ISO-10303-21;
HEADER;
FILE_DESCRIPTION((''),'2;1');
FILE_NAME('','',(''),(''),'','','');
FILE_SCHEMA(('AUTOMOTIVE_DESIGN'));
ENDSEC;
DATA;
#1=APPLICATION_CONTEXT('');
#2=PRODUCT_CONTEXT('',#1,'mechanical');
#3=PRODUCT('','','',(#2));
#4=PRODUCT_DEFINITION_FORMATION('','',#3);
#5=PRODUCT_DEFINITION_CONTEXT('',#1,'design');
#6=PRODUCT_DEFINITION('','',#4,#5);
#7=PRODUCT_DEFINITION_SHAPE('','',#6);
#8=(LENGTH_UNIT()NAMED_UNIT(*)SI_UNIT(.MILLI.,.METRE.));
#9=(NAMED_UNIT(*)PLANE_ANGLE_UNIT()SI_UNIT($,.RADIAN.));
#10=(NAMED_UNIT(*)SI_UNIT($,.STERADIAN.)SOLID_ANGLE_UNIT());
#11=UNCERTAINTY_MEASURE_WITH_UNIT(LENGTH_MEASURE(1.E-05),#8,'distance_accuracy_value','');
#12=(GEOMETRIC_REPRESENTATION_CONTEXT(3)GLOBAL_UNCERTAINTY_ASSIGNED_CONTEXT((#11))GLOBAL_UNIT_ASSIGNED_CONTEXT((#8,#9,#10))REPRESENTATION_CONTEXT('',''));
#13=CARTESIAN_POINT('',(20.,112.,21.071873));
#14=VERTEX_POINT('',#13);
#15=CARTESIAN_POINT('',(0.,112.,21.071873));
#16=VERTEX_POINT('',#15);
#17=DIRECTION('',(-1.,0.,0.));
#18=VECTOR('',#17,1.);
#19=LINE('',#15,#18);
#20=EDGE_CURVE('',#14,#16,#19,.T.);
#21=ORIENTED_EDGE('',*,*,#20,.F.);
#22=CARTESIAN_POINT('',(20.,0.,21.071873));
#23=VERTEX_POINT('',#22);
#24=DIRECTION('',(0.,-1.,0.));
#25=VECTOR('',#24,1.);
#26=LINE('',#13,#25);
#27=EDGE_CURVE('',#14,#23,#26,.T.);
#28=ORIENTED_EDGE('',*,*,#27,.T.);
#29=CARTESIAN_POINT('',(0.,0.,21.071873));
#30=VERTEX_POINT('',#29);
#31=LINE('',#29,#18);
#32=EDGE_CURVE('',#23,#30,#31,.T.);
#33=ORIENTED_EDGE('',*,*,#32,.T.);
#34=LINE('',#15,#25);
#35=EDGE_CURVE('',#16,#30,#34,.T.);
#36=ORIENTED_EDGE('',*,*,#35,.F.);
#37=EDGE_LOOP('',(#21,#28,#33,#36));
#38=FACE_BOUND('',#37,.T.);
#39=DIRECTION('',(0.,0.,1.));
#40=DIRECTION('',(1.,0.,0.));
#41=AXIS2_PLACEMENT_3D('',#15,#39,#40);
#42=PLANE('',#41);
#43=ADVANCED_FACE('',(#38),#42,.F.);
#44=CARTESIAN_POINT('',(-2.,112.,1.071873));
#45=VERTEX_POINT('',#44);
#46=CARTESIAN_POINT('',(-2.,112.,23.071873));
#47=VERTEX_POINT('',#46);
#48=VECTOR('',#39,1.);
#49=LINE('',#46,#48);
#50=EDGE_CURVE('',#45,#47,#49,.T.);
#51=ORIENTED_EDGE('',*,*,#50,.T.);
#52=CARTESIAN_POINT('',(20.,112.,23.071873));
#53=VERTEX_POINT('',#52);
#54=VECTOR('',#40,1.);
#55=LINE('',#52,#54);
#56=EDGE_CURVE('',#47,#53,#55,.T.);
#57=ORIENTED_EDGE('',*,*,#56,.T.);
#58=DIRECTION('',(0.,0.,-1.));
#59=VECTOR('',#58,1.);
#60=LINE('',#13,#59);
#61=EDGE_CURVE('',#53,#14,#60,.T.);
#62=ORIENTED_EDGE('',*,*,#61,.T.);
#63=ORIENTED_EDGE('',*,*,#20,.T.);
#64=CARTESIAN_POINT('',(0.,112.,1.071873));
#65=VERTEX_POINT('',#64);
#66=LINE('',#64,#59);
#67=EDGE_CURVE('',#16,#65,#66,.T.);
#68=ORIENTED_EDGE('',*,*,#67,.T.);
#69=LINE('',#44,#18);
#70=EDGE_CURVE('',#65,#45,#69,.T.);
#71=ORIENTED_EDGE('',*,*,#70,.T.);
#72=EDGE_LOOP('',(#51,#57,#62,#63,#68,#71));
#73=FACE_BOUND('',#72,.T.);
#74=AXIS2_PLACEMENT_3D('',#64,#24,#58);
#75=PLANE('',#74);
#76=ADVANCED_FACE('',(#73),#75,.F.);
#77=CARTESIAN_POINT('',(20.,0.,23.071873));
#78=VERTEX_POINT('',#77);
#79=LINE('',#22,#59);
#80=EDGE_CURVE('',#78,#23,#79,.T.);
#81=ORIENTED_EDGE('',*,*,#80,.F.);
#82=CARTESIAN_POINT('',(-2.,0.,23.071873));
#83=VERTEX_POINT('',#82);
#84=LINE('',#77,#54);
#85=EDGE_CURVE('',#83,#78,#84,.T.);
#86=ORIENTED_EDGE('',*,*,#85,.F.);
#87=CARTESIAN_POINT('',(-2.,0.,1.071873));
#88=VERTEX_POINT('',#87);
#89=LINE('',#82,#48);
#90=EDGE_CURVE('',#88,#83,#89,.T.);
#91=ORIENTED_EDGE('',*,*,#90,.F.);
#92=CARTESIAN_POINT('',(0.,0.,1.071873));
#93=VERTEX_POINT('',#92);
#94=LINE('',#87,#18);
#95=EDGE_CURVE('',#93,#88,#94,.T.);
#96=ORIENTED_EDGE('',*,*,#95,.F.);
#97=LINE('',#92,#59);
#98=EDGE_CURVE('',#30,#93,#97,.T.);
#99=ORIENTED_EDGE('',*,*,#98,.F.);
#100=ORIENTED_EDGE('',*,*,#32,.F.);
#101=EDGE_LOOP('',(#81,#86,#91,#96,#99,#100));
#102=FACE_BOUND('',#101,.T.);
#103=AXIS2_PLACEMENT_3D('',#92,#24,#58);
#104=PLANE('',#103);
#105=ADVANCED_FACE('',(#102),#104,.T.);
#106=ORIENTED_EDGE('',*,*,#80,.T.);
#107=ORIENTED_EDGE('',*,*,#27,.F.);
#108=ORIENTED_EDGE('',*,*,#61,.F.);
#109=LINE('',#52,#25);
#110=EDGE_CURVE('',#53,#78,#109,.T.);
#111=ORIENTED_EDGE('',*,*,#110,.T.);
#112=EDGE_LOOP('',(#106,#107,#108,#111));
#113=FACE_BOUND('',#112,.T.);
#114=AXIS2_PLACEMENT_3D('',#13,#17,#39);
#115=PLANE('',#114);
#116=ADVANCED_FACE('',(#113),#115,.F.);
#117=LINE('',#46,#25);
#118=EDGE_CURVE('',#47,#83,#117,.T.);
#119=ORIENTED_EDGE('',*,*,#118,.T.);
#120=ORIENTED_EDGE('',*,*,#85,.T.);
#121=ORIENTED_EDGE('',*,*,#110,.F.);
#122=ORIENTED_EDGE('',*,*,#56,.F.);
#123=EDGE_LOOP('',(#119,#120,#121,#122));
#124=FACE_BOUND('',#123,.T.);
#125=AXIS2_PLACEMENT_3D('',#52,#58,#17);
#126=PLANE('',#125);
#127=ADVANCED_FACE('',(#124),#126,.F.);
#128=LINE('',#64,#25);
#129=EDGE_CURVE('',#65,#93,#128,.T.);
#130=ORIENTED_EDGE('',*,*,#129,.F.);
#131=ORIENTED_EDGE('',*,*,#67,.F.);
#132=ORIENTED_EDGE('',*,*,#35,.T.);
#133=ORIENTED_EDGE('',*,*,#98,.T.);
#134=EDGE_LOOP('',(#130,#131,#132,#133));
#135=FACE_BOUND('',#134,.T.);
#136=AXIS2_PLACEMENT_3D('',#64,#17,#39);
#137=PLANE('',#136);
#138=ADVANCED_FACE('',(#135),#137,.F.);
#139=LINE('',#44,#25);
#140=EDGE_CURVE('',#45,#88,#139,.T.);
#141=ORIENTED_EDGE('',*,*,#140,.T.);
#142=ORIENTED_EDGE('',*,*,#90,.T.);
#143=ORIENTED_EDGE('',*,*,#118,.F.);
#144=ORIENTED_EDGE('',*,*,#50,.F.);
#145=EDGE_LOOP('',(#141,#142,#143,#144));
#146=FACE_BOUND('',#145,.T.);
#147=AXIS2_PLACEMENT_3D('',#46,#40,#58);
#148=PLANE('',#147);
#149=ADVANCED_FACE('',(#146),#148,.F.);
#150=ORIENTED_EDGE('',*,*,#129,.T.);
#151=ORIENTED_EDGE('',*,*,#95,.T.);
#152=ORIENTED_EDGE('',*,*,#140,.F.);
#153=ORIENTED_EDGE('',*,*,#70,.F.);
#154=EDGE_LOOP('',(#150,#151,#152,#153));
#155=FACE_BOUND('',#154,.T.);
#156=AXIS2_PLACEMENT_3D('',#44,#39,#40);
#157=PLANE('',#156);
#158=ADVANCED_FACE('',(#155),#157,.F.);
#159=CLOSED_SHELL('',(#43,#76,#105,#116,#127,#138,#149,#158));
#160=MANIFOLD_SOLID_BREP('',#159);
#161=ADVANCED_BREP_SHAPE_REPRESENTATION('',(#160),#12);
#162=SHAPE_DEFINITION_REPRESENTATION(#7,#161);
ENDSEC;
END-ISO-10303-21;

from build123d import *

# Parameters (mm, degrees)
EXTRUDE_1_DEPTH = 112


with BuildPart() as part:
    # Эскиз1 → Вытянуть1 (new body)
    with BuildSketch(Plane(origin=(0, 0, 0), x_dir=(1, 0, 0), z_dir=(0, 1, 0))):
        Polygon((0, -1.071873395), (0, -21.071873395), (20, -21.071873395), (20, -23.071873395), (-2, -23.071873395), (-2, -1.071873395), align=None)
    extrude(amount=EXTRUDE_1_DEPTH)


solid = part.part
